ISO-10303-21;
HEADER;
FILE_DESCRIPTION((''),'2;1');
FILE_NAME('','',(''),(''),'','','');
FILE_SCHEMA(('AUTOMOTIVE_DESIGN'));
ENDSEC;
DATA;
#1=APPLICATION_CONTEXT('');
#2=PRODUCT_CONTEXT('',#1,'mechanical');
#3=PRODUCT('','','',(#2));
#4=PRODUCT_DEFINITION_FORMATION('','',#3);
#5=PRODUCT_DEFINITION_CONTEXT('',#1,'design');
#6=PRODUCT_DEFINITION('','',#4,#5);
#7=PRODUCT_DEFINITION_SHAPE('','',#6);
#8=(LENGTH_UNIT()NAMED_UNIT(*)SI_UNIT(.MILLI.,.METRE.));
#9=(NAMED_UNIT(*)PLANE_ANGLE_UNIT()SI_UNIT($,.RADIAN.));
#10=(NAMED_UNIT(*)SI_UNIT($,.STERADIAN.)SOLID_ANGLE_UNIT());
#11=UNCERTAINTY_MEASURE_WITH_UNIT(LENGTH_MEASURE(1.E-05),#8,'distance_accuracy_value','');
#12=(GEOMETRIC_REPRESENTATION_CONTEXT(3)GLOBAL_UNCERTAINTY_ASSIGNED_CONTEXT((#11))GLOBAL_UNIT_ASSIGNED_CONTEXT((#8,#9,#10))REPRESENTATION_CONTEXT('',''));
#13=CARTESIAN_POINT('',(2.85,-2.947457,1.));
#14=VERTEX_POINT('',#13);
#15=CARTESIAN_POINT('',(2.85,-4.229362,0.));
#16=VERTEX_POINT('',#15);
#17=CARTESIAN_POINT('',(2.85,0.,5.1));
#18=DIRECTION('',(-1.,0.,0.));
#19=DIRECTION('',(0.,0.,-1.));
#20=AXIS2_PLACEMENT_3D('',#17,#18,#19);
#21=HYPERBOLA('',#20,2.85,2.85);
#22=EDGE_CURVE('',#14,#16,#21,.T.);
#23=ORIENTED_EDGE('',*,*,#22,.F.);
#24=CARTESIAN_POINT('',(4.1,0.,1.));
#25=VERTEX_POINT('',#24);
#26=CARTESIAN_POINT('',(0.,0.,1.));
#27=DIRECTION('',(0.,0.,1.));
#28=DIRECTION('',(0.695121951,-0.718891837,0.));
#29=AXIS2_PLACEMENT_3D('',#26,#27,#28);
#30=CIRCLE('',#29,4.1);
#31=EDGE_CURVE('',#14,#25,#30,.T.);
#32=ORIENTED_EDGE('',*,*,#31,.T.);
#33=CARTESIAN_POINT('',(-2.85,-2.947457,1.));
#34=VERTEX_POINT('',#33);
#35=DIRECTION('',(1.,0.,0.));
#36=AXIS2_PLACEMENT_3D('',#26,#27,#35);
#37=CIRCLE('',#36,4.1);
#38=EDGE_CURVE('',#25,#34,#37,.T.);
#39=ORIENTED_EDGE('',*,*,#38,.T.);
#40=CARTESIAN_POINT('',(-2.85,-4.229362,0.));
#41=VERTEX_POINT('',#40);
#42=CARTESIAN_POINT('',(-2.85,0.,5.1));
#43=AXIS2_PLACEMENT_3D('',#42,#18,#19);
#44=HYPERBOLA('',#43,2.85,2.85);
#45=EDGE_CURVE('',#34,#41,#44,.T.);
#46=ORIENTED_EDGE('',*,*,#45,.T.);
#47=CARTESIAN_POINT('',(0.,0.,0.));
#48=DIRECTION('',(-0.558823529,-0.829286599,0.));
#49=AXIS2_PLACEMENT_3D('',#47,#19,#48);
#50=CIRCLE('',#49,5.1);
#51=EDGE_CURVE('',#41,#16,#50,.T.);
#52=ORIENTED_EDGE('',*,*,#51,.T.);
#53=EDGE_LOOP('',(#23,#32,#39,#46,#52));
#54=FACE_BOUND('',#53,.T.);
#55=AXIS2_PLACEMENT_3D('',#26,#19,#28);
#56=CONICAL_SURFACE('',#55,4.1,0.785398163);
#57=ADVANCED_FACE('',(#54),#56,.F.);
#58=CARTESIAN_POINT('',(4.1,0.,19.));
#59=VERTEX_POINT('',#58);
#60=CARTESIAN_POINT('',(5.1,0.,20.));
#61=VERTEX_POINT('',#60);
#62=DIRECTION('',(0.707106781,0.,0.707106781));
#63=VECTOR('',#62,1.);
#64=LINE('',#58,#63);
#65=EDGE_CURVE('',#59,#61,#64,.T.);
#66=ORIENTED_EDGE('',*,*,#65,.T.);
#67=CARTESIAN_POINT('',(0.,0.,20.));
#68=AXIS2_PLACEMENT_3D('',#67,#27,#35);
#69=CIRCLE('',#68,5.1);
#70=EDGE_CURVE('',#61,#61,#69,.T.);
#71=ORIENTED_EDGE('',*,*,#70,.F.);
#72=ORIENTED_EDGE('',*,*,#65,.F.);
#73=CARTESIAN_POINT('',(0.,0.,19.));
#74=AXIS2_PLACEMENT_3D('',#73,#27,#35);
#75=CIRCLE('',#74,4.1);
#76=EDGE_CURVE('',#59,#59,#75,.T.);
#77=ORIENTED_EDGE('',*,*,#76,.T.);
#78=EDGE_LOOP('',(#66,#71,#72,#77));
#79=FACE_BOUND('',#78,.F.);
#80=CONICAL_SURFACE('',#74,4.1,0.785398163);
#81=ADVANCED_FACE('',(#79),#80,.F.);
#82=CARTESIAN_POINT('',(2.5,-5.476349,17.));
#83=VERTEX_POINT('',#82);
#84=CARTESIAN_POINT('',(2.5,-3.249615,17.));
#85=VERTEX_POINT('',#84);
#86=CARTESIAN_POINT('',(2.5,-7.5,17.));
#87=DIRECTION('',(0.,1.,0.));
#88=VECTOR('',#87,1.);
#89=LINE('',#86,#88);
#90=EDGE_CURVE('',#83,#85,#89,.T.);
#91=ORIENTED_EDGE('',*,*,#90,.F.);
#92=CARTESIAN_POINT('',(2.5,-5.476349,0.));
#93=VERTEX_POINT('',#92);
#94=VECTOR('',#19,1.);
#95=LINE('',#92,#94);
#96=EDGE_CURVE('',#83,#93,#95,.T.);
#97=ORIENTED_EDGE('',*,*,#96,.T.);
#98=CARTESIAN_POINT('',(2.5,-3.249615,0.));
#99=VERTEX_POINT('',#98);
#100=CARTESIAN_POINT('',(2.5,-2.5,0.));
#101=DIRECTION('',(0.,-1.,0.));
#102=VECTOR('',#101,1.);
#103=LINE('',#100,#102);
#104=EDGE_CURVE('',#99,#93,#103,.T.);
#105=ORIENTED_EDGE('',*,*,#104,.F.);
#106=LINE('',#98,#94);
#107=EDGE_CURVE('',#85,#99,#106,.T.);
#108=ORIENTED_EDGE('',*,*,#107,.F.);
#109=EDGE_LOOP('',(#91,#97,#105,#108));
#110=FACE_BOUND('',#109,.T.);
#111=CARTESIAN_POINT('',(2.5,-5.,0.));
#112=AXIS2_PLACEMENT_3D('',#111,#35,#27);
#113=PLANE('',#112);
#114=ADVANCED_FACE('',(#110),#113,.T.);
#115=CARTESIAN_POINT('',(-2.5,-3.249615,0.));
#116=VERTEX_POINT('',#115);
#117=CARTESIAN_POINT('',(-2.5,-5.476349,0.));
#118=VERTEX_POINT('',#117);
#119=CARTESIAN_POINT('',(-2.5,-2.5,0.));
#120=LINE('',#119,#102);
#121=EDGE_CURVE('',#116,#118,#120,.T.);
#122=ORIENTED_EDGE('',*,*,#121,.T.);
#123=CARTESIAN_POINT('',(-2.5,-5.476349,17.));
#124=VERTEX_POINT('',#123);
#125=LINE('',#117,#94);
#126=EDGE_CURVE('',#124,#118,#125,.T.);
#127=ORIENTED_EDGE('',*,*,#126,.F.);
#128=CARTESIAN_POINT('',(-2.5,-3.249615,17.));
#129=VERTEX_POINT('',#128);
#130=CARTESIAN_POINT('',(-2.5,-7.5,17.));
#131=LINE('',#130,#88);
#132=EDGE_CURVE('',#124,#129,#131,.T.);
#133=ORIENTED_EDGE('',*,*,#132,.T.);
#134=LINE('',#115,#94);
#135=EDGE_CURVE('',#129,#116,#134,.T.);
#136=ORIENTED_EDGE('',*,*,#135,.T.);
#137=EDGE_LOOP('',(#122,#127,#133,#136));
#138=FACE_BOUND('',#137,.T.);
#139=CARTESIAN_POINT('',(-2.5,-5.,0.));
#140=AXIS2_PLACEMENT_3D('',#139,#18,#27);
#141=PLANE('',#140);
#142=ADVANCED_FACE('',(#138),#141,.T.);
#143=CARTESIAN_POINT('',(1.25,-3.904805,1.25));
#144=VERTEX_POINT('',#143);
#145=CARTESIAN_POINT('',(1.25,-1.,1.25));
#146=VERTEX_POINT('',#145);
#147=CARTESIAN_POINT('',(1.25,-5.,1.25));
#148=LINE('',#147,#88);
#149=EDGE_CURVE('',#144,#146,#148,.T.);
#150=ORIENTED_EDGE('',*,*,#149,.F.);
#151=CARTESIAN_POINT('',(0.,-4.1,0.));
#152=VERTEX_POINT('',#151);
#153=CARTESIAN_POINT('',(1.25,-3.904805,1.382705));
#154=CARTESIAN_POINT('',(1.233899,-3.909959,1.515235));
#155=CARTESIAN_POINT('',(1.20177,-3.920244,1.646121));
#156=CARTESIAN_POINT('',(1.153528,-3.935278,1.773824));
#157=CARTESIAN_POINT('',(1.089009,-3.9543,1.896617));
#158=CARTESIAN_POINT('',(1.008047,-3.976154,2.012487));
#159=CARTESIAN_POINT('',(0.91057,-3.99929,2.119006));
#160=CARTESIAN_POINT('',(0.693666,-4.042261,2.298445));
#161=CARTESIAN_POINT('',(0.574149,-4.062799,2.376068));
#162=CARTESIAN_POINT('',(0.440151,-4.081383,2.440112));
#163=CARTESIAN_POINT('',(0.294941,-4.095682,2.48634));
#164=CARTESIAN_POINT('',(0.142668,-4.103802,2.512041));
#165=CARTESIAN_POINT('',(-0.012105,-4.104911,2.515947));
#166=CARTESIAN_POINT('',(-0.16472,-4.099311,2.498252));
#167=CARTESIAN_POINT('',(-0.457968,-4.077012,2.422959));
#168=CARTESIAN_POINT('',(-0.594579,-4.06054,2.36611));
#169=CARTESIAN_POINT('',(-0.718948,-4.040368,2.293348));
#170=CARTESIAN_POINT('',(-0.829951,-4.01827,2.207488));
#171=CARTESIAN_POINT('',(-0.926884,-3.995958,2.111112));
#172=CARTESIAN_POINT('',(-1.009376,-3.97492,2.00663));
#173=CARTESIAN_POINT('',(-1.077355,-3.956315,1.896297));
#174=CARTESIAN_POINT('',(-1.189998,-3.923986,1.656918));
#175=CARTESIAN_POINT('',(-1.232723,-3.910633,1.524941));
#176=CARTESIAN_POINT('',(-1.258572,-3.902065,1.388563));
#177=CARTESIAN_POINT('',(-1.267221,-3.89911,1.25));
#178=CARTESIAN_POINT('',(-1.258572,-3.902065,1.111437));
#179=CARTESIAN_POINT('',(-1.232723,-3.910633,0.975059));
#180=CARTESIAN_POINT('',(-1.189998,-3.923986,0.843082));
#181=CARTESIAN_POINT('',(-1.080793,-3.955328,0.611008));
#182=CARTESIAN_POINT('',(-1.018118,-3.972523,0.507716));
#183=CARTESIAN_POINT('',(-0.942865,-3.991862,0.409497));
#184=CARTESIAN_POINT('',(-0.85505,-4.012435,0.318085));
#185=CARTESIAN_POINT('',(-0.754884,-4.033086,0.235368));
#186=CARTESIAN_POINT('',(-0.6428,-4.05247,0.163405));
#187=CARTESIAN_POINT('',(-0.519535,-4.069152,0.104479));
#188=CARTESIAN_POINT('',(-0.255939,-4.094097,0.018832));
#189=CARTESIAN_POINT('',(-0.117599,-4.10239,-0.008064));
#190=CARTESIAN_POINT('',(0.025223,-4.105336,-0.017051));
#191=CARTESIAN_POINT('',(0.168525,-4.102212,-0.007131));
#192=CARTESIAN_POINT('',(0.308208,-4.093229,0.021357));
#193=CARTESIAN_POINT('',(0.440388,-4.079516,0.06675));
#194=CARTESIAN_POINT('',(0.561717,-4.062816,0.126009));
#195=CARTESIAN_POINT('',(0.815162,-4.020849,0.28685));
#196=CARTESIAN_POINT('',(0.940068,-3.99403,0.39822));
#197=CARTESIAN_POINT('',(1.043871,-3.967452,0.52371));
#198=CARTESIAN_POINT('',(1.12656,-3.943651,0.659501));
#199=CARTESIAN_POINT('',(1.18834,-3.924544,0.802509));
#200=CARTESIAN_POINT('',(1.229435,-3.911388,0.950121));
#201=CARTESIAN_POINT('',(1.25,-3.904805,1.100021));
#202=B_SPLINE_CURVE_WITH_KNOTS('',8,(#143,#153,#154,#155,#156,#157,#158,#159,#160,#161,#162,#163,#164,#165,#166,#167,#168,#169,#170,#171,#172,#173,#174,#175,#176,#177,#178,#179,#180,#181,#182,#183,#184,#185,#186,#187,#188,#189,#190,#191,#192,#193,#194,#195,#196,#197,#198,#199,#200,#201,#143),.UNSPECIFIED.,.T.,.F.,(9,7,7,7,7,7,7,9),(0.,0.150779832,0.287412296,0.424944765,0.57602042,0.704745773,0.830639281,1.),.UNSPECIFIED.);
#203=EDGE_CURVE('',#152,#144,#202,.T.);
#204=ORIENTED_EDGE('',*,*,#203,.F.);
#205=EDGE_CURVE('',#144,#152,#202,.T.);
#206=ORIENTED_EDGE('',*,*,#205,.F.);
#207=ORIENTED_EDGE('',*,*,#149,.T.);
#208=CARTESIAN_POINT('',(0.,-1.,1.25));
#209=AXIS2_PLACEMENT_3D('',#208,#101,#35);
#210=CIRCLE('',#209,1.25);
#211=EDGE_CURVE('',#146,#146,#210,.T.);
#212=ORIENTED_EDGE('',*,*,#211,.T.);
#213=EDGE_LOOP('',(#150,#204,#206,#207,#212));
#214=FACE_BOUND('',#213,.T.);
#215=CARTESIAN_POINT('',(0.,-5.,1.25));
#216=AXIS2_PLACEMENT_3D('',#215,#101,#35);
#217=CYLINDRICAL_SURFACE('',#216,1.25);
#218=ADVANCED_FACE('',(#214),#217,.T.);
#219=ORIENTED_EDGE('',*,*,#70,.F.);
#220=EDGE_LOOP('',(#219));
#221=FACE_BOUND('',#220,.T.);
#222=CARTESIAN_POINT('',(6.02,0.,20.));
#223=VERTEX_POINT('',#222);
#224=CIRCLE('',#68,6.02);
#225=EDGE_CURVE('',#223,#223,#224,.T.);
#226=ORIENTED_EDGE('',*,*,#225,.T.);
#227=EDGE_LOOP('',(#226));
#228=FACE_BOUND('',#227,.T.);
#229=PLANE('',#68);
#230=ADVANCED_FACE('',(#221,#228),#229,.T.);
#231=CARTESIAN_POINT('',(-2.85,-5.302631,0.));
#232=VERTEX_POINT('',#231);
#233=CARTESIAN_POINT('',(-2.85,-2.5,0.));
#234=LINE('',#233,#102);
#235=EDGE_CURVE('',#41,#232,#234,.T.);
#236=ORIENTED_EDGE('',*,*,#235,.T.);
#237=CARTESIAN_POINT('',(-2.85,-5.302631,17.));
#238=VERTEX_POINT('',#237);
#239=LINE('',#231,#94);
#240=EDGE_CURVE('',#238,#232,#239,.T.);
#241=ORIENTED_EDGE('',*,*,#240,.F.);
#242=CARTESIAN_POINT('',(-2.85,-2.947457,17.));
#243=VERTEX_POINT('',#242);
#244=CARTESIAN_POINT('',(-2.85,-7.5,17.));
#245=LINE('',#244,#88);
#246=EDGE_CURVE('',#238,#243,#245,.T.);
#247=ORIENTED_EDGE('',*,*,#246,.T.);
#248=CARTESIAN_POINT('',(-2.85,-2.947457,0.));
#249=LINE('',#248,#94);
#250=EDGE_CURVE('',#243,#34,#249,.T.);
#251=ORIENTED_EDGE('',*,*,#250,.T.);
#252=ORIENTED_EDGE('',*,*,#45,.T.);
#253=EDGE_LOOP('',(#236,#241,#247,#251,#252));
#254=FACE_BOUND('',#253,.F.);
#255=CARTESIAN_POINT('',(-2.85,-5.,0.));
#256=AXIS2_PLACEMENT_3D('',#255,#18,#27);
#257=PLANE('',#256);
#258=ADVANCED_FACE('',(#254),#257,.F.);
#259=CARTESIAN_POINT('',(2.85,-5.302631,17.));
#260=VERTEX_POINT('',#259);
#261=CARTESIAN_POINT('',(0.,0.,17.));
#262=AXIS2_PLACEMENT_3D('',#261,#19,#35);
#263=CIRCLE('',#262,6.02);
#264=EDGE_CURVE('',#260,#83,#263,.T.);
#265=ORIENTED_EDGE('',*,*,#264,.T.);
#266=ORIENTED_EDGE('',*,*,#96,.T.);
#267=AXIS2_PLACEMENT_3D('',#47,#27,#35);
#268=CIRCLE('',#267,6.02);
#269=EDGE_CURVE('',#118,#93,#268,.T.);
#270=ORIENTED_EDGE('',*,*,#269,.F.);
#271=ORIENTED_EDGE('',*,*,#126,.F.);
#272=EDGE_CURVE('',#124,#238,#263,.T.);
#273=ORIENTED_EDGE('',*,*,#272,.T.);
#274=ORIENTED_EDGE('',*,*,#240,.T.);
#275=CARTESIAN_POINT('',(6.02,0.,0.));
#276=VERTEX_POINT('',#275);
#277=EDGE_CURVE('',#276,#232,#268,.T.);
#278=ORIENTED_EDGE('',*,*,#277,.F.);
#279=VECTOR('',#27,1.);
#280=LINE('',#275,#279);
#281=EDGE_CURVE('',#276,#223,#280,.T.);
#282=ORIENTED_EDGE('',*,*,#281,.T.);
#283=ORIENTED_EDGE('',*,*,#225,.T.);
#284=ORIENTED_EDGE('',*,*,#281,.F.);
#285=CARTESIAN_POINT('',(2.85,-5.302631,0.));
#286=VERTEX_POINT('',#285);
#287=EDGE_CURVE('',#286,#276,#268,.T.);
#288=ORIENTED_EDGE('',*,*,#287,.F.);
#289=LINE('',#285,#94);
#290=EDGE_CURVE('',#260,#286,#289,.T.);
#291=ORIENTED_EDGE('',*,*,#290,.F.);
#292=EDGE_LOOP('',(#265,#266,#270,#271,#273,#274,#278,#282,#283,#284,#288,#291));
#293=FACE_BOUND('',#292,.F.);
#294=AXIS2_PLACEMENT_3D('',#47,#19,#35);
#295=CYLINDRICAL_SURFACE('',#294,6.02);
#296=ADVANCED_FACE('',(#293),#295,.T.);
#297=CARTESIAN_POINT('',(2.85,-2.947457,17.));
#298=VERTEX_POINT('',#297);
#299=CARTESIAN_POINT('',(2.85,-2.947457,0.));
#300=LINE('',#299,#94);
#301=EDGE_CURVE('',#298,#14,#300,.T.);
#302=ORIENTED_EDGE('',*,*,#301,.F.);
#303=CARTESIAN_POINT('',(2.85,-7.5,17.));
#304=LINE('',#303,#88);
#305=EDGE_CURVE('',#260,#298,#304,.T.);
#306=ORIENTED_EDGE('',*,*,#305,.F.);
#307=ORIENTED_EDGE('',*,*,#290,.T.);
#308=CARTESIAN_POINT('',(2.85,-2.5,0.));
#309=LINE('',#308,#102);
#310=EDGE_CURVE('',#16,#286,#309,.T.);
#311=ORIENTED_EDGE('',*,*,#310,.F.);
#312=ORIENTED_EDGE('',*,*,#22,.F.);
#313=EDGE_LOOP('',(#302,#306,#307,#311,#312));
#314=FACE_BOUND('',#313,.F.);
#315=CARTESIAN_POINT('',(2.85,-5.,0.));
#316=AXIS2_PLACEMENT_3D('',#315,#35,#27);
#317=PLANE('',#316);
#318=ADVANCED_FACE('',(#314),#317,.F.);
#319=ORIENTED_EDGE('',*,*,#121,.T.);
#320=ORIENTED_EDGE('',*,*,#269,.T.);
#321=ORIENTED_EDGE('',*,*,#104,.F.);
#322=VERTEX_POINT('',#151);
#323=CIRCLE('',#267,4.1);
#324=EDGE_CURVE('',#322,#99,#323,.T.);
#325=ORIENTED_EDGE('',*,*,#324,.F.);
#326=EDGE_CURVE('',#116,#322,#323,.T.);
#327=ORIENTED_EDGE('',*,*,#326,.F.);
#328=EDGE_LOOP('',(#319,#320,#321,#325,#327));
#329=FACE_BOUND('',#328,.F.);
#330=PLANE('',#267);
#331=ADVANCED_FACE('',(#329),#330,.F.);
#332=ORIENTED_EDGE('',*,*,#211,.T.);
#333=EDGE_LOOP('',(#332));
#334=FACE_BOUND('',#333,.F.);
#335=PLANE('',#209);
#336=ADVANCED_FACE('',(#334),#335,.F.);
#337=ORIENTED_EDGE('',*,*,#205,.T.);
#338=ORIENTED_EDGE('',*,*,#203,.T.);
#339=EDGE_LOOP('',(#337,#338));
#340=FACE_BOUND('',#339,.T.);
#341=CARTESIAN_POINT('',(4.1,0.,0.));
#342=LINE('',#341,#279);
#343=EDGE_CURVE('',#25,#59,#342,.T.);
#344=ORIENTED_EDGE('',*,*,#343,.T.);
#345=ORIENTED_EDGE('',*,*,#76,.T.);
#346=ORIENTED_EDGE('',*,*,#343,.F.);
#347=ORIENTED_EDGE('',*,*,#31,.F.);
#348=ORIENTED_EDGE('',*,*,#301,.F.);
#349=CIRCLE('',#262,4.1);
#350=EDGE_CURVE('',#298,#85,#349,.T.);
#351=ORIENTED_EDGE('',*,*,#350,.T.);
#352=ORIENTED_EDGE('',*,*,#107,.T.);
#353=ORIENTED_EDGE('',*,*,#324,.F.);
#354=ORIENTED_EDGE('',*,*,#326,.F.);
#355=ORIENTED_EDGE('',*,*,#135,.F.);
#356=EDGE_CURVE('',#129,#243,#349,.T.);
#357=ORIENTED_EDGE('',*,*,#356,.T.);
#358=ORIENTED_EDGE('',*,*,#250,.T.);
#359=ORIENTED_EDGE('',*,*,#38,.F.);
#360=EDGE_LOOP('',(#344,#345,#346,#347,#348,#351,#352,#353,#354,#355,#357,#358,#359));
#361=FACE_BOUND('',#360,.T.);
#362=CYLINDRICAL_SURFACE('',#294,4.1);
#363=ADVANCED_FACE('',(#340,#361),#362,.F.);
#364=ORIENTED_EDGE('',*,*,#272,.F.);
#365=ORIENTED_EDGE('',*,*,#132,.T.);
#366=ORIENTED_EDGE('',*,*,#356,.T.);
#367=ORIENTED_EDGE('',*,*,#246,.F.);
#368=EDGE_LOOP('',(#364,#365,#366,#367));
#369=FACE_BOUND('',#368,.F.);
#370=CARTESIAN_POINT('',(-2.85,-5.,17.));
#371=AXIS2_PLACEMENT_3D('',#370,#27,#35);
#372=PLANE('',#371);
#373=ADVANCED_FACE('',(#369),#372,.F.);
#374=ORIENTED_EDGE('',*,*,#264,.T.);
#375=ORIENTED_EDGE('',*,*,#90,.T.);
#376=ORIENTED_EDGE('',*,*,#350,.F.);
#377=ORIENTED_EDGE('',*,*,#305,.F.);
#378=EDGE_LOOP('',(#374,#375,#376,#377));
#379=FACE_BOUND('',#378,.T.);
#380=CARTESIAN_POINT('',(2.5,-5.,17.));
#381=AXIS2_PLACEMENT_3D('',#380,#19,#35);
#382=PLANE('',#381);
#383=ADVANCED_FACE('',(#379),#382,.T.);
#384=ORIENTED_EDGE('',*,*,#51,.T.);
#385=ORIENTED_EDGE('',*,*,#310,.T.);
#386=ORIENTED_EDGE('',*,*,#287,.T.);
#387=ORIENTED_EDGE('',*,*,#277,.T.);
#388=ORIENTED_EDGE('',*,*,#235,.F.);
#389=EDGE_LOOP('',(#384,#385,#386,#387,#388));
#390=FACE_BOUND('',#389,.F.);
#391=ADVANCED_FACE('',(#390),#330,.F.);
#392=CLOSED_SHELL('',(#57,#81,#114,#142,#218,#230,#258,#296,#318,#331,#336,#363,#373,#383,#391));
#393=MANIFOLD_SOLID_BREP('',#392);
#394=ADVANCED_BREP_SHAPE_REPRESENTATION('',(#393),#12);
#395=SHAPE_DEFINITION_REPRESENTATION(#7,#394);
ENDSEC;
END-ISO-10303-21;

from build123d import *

# Parameters (mm, degrees)
F0_R     = 6.02
F0_R_2   = 4.1
F1_DEPTH = 20
F3_R     = 1.25
F4_DEPTH = 4
F5_W     = 0.35
F5_H     = 17
F6_DEPTH = 2.5
F7_SIZE  = 1


with BuildPart() as f1:
    # F0 (on Top) → F1 (new body)
    with BuildSketch(Plane.XY):
        Circle(F0_R)
        Circle(F0_R_2, mode=Mode.SUBTRACT)
    extrude(amount=F1_DEPTH)

    # F3 (on offset) → F4 (join)
    with BuildSketch(Plane.XZ.offset(5)):
        with Locations((0, 1.25)):
            Circle(F3_R)
    extrude(amount=-F4_DEPTH)

    # F5 (on offset) → F6 (cut, symmetric)
    with BuildSketch(Plane.XZ.offset(5)):
        with Locations((-2.675, 8.5)):
            Rectangle(F5_W, F5_H)
        with Locations((2.675, 8.5)):
            Rectangle(F5_W, F5_H)
    extrude(amount=F6_DEPTH, both=True, mode=Mode.SUBTRACT)

    # F7
    f7_edges = [f1.edges().sort_by_distance(p)[0] for p in [
        (-4.1, 0, 20),
        (-1.600781, 3.774586, 0),
    ]]
    chamfer(f7_edges, length=F7_SIZE)


solid = f1.part
